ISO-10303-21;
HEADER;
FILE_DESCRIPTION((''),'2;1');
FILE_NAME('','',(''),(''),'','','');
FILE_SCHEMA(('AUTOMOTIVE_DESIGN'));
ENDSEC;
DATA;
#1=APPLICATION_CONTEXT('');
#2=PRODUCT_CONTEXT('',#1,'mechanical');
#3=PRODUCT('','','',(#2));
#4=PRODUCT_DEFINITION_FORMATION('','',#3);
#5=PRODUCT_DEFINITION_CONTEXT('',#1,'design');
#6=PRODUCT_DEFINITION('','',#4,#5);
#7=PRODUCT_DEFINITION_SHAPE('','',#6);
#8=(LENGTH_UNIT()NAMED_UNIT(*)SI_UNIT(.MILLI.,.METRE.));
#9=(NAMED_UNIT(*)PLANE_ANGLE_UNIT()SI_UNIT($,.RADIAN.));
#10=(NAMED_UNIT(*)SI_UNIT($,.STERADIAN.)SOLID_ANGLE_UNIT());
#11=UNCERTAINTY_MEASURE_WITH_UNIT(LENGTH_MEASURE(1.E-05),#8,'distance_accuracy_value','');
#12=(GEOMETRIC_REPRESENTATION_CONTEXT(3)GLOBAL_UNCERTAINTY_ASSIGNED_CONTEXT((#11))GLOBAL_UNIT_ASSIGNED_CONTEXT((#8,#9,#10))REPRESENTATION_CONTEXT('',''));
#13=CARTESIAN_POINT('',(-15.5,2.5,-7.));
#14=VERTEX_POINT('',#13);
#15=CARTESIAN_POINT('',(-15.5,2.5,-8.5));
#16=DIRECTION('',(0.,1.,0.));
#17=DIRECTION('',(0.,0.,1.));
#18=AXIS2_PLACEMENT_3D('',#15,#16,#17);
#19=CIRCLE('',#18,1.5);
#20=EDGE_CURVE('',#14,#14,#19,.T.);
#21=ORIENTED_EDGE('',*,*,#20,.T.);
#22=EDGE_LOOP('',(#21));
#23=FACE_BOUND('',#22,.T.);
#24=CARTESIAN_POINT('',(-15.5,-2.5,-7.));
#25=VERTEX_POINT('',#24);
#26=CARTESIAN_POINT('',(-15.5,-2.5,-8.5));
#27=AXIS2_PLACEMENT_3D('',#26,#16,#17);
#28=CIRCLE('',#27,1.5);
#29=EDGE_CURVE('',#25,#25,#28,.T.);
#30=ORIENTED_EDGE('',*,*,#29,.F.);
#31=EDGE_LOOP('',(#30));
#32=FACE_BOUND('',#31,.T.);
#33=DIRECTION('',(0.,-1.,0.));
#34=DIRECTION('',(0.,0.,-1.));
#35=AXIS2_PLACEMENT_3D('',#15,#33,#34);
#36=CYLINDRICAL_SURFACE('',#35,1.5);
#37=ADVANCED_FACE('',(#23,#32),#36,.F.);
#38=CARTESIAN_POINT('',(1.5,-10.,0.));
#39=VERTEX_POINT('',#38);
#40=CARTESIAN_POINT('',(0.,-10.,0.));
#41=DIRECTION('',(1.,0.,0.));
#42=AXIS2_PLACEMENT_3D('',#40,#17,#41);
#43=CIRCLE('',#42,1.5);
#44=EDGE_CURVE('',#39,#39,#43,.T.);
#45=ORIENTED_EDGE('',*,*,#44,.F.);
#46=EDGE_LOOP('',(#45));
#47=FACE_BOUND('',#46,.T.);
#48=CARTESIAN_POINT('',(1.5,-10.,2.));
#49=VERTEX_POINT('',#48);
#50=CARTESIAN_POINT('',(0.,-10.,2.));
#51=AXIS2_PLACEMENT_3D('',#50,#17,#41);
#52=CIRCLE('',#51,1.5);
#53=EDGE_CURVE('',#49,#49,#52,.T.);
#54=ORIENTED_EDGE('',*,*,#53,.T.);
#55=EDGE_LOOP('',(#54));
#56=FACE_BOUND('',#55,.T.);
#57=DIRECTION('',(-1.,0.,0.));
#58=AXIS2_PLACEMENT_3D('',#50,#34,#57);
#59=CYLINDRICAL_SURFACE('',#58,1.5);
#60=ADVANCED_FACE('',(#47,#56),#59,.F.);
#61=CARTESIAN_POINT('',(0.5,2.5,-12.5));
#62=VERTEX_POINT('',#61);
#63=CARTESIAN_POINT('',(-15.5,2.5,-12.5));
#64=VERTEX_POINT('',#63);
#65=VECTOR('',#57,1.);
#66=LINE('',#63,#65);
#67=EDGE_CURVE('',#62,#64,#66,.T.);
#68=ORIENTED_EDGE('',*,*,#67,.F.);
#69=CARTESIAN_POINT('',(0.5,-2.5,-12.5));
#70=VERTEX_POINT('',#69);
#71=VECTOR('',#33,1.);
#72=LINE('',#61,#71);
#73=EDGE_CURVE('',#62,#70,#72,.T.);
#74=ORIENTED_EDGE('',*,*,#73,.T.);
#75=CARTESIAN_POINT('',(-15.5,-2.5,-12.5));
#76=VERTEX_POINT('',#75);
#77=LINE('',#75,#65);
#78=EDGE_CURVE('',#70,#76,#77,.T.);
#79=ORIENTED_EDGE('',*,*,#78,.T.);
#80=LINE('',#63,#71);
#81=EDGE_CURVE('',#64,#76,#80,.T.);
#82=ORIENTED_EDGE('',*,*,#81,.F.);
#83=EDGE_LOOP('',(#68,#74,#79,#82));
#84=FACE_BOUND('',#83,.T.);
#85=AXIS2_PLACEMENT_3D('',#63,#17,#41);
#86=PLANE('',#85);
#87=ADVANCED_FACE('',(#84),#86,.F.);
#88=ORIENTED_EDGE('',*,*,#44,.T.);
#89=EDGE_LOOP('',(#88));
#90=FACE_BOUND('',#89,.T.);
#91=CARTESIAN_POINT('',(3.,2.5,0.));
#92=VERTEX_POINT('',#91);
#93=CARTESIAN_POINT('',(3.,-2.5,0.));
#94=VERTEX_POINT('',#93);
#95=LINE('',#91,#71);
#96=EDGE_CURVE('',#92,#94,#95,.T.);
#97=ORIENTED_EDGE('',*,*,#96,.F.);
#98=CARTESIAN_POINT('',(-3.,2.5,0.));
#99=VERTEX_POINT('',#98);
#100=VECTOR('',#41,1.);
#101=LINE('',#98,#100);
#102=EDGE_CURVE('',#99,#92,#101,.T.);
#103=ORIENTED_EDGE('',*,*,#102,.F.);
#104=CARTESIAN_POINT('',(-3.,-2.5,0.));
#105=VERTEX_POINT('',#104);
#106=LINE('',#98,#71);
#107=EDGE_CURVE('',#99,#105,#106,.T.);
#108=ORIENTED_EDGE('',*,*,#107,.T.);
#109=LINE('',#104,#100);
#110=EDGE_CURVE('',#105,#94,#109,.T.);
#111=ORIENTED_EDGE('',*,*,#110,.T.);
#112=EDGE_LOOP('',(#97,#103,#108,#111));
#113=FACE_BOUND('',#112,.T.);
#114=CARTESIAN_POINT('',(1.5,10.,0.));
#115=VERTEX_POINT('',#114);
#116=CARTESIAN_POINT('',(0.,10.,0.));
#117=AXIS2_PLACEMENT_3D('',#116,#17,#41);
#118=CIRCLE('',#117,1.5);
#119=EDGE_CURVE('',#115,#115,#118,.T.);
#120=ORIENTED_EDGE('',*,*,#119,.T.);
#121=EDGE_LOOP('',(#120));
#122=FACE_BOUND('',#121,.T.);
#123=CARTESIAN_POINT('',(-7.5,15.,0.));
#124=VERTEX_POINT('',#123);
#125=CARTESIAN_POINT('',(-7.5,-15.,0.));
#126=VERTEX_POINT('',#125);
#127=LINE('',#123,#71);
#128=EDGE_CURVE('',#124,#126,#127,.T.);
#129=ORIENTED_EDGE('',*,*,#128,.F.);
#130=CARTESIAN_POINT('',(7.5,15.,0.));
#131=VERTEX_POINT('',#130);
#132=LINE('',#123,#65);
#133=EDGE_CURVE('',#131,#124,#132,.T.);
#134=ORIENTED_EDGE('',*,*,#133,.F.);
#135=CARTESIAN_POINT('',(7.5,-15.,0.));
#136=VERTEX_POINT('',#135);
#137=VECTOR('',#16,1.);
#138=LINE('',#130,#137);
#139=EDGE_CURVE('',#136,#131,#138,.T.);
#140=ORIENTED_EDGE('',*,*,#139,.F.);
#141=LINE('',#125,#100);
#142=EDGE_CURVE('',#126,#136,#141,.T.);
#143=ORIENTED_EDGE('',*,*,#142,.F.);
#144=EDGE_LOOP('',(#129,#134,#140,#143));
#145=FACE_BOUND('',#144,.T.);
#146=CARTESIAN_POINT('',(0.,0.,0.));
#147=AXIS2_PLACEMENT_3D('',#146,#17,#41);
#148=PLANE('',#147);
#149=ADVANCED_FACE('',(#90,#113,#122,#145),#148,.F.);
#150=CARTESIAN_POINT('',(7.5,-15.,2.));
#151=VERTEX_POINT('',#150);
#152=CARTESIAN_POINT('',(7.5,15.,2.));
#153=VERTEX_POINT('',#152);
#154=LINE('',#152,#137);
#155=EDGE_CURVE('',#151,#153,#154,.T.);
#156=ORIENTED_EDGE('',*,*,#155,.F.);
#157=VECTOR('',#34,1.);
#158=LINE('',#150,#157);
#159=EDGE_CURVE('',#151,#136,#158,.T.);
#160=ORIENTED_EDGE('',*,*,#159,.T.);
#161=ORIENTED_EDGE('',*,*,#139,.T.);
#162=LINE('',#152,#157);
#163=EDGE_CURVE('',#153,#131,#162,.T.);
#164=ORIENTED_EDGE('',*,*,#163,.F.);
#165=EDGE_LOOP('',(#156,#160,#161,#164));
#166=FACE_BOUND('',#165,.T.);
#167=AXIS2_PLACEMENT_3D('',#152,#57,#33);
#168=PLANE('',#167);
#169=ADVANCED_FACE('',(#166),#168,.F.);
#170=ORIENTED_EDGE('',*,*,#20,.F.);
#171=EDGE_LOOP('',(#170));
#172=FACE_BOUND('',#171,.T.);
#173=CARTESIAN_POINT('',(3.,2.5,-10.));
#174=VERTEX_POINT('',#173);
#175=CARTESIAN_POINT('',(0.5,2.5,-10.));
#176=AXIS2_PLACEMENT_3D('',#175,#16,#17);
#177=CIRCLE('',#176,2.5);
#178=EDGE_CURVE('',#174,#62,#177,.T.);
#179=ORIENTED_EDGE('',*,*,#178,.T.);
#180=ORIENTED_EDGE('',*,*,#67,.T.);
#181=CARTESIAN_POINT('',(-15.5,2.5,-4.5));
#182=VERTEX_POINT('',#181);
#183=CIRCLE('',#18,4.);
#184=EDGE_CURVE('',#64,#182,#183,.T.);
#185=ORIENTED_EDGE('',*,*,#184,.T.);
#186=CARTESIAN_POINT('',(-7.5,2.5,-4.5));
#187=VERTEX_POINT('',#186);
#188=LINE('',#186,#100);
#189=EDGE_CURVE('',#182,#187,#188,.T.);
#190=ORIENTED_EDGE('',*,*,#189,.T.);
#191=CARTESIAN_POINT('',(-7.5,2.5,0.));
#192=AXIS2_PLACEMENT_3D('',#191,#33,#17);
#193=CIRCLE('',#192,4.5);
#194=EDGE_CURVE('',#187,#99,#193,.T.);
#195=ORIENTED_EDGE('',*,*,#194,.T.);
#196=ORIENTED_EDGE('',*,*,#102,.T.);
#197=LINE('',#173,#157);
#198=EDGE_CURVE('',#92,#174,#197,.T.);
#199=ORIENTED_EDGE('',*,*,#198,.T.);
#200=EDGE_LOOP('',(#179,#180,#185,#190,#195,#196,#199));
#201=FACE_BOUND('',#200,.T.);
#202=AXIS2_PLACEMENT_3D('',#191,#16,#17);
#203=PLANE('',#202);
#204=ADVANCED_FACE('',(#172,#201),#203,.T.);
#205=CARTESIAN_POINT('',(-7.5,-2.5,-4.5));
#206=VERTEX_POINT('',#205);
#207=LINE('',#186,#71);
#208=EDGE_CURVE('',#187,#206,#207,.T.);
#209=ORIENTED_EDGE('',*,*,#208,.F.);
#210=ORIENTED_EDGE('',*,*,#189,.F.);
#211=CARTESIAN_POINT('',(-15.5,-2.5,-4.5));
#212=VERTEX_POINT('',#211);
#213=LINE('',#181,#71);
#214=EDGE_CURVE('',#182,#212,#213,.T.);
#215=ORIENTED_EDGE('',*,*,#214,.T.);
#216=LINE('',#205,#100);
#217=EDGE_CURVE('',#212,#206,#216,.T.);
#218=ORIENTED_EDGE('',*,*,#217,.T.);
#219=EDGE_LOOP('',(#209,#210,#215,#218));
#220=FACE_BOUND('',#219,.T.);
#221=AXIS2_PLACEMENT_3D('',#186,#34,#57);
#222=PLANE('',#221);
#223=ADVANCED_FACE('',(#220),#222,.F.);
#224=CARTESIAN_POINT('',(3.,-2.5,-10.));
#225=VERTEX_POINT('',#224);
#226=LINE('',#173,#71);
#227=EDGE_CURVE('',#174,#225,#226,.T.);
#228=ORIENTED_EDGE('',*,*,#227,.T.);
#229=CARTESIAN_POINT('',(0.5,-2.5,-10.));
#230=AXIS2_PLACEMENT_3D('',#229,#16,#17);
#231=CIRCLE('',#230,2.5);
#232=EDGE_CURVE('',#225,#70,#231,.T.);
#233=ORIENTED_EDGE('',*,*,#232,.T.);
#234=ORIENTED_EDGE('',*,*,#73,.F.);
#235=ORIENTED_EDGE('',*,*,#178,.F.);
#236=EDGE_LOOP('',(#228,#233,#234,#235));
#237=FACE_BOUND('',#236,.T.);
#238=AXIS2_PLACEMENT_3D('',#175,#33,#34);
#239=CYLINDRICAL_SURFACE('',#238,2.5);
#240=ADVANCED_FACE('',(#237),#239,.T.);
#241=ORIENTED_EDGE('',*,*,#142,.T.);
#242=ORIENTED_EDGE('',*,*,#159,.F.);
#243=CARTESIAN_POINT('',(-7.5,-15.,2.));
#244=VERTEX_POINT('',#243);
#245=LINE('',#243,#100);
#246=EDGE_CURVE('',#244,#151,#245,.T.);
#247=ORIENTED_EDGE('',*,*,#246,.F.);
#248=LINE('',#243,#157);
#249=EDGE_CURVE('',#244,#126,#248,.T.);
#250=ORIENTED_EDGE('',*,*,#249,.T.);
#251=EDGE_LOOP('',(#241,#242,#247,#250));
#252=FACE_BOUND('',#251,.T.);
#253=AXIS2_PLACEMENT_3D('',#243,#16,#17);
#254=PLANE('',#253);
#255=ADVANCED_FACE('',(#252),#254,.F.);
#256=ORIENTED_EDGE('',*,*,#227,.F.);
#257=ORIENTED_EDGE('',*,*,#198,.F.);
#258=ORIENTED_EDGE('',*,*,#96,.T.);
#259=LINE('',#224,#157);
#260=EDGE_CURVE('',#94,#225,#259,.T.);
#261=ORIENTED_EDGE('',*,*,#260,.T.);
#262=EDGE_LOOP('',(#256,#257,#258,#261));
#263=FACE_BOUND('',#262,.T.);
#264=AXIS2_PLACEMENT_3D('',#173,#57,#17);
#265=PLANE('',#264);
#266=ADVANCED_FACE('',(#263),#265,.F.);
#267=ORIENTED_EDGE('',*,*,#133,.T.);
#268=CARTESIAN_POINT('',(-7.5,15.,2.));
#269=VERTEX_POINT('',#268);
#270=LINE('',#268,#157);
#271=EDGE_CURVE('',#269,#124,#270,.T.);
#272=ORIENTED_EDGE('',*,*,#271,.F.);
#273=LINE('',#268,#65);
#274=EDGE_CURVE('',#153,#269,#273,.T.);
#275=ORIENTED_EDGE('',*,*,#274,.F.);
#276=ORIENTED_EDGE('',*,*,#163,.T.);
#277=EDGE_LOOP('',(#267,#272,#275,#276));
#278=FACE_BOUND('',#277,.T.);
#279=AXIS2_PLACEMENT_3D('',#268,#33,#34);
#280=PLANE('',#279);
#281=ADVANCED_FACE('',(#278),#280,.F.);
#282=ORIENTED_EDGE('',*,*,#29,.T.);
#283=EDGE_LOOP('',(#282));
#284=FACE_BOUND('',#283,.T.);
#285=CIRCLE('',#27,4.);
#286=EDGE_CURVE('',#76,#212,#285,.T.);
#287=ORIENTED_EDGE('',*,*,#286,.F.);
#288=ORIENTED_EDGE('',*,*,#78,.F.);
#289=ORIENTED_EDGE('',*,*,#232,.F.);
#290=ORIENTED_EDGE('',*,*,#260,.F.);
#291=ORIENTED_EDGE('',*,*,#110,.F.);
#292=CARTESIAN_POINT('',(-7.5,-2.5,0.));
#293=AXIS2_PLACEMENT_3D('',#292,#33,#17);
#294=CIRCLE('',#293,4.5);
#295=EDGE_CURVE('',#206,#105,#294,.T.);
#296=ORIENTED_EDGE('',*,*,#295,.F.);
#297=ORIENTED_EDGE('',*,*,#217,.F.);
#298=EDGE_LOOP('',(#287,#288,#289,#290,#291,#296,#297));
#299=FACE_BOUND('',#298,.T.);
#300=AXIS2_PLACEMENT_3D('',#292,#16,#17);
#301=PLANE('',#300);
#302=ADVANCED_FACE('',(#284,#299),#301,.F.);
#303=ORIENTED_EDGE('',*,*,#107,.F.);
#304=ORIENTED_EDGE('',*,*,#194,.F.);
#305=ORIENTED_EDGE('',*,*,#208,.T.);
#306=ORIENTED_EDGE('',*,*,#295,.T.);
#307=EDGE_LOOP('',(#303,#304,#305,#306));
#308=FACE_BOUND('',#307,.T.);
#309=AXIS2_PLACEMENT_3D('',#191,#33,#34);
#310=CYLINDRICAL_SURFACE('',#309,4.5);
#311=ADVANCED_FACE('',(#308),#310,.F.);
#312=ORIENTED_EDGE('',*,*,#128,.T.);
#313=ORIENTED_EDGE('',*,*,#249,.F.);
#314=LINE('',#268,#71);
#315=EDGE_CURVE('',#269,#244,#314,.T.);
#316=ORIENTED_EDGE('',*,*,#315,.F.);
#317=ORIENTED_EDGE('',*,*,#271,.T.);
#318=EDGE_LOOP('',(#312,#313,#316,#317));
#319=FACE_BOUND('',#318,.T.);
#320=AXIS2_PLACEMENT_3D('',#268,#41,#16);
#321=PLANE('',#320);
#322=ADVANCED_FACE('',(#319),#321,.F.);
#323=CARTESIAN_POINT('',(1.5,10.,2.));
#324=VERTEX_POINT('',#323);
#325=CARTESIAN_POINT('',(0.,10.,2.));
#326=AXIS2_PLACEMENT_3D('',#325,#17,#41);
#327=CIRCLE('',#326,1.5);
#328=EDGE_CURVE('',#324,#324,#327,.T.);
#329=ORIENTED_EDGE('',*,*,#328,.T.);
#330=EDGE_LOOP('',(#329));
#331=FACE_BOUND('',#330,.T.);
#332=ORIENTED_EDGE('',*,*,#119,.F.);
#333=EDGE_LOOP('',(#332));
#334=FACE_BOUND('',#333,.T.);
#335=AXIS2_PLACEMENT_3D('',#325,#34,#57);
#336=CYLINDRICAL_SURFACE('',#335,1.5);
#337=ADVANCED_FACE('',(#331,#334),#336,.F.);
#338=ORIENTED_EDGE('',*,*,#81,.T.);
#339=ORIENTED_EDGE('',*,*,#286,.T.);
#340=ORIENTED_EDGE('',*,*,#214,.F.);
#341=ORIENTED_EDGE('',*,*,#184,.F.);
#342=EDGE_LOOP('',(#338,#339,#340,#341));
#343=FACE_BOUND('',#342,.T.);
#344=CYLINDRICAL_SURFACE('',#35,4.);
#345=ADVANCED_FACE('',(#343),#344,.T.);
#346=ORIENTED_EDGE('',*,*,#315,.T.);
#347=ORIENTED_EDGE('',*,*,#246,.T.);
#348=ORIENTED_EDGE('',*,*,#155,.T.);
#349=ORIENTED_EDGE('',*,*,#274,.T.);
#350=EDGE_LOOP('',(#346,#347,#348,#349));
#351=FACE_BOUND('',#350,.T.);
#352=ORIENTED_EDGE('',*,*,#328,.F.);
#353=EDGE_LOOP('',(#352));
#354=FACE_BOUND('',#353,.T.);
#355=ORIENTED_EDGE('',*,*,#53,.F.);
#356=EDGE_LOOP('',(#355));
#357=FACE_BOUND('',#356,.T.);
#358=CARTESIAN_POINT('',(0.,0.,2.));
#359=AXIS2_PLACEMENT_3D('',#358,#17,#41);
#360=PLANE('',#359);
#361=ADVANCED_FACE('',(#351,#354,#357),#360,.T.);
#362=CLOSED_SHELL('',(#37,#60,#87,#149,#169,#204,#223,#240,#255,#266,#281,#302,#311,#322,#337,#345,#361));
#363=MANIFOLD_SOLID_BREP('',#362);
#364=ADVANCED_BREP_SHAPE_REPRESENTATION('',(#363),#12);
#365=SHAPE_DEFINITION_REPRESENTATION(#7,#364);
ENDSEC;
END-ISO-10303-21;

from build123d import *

# Parameters (mm, degrees)
SKETCH1_W           = 15
SKETCH1_H           = 30
SKETCH1_R           = 1.5
BOSS_EXTRUDE1_DEPTH = 2
SKETCH2_R           = 1.5
BOSS_EXTRUDE2_DEPTH = 2.5


with BuildPart() as part:
    # Sketch1 → Boss-Extrude1 (new body)
    with BuildSketch(Plane.XY):
        Rectangle(SKETCH1_W, SKETCH1_H)
        with Locations((0, 10)):
            Circle(SKETCH1_R, mode=Mode.SUBTRACT)
        with Locations((0, -10)):
            Circle(SKETCH1_R, mode=Mode.SUBTRACT)
    extrude(amount=BOSS_EXTRUDE1_DEPTH)

    # Sketch2 → Boss-Extrude2 (add, symmetric)
    with BuildSketch(Plane(origin=(0, 0, 0), x_dir=(1, 0, 0), z_dir=(0, 1, 0))):
        with BuildLine():
            Line((-3, 0), (3, 0))
            Line((3, 0), (3, 10))
            ThreePointArc((3, 10), (2.267766953, 11.767766953), (0.5, 12.5))
            Line((0.5, 12.5), (-15.5, 12.5))
            ThreePointArc((-15.5, 12.5), (-19.5, 8.5), (-15.5, 4.5))
            Line((-15.5, 4.5), (-7.5, 4.5))
            ThreePointArc((-7.5, 4.5), (-4.318019485, 3.181980515), (-3, 0))
        make_face()
        with Locations(Location((-15.5, 8.5, 0), (0, 0, 270))):
            Circle(SKETCH2_R, mode=Mode.SUBTRACT)
    extrude(amount=BOSS_EXTRUDE2_DEPTH, both=True)


solid = part.part
